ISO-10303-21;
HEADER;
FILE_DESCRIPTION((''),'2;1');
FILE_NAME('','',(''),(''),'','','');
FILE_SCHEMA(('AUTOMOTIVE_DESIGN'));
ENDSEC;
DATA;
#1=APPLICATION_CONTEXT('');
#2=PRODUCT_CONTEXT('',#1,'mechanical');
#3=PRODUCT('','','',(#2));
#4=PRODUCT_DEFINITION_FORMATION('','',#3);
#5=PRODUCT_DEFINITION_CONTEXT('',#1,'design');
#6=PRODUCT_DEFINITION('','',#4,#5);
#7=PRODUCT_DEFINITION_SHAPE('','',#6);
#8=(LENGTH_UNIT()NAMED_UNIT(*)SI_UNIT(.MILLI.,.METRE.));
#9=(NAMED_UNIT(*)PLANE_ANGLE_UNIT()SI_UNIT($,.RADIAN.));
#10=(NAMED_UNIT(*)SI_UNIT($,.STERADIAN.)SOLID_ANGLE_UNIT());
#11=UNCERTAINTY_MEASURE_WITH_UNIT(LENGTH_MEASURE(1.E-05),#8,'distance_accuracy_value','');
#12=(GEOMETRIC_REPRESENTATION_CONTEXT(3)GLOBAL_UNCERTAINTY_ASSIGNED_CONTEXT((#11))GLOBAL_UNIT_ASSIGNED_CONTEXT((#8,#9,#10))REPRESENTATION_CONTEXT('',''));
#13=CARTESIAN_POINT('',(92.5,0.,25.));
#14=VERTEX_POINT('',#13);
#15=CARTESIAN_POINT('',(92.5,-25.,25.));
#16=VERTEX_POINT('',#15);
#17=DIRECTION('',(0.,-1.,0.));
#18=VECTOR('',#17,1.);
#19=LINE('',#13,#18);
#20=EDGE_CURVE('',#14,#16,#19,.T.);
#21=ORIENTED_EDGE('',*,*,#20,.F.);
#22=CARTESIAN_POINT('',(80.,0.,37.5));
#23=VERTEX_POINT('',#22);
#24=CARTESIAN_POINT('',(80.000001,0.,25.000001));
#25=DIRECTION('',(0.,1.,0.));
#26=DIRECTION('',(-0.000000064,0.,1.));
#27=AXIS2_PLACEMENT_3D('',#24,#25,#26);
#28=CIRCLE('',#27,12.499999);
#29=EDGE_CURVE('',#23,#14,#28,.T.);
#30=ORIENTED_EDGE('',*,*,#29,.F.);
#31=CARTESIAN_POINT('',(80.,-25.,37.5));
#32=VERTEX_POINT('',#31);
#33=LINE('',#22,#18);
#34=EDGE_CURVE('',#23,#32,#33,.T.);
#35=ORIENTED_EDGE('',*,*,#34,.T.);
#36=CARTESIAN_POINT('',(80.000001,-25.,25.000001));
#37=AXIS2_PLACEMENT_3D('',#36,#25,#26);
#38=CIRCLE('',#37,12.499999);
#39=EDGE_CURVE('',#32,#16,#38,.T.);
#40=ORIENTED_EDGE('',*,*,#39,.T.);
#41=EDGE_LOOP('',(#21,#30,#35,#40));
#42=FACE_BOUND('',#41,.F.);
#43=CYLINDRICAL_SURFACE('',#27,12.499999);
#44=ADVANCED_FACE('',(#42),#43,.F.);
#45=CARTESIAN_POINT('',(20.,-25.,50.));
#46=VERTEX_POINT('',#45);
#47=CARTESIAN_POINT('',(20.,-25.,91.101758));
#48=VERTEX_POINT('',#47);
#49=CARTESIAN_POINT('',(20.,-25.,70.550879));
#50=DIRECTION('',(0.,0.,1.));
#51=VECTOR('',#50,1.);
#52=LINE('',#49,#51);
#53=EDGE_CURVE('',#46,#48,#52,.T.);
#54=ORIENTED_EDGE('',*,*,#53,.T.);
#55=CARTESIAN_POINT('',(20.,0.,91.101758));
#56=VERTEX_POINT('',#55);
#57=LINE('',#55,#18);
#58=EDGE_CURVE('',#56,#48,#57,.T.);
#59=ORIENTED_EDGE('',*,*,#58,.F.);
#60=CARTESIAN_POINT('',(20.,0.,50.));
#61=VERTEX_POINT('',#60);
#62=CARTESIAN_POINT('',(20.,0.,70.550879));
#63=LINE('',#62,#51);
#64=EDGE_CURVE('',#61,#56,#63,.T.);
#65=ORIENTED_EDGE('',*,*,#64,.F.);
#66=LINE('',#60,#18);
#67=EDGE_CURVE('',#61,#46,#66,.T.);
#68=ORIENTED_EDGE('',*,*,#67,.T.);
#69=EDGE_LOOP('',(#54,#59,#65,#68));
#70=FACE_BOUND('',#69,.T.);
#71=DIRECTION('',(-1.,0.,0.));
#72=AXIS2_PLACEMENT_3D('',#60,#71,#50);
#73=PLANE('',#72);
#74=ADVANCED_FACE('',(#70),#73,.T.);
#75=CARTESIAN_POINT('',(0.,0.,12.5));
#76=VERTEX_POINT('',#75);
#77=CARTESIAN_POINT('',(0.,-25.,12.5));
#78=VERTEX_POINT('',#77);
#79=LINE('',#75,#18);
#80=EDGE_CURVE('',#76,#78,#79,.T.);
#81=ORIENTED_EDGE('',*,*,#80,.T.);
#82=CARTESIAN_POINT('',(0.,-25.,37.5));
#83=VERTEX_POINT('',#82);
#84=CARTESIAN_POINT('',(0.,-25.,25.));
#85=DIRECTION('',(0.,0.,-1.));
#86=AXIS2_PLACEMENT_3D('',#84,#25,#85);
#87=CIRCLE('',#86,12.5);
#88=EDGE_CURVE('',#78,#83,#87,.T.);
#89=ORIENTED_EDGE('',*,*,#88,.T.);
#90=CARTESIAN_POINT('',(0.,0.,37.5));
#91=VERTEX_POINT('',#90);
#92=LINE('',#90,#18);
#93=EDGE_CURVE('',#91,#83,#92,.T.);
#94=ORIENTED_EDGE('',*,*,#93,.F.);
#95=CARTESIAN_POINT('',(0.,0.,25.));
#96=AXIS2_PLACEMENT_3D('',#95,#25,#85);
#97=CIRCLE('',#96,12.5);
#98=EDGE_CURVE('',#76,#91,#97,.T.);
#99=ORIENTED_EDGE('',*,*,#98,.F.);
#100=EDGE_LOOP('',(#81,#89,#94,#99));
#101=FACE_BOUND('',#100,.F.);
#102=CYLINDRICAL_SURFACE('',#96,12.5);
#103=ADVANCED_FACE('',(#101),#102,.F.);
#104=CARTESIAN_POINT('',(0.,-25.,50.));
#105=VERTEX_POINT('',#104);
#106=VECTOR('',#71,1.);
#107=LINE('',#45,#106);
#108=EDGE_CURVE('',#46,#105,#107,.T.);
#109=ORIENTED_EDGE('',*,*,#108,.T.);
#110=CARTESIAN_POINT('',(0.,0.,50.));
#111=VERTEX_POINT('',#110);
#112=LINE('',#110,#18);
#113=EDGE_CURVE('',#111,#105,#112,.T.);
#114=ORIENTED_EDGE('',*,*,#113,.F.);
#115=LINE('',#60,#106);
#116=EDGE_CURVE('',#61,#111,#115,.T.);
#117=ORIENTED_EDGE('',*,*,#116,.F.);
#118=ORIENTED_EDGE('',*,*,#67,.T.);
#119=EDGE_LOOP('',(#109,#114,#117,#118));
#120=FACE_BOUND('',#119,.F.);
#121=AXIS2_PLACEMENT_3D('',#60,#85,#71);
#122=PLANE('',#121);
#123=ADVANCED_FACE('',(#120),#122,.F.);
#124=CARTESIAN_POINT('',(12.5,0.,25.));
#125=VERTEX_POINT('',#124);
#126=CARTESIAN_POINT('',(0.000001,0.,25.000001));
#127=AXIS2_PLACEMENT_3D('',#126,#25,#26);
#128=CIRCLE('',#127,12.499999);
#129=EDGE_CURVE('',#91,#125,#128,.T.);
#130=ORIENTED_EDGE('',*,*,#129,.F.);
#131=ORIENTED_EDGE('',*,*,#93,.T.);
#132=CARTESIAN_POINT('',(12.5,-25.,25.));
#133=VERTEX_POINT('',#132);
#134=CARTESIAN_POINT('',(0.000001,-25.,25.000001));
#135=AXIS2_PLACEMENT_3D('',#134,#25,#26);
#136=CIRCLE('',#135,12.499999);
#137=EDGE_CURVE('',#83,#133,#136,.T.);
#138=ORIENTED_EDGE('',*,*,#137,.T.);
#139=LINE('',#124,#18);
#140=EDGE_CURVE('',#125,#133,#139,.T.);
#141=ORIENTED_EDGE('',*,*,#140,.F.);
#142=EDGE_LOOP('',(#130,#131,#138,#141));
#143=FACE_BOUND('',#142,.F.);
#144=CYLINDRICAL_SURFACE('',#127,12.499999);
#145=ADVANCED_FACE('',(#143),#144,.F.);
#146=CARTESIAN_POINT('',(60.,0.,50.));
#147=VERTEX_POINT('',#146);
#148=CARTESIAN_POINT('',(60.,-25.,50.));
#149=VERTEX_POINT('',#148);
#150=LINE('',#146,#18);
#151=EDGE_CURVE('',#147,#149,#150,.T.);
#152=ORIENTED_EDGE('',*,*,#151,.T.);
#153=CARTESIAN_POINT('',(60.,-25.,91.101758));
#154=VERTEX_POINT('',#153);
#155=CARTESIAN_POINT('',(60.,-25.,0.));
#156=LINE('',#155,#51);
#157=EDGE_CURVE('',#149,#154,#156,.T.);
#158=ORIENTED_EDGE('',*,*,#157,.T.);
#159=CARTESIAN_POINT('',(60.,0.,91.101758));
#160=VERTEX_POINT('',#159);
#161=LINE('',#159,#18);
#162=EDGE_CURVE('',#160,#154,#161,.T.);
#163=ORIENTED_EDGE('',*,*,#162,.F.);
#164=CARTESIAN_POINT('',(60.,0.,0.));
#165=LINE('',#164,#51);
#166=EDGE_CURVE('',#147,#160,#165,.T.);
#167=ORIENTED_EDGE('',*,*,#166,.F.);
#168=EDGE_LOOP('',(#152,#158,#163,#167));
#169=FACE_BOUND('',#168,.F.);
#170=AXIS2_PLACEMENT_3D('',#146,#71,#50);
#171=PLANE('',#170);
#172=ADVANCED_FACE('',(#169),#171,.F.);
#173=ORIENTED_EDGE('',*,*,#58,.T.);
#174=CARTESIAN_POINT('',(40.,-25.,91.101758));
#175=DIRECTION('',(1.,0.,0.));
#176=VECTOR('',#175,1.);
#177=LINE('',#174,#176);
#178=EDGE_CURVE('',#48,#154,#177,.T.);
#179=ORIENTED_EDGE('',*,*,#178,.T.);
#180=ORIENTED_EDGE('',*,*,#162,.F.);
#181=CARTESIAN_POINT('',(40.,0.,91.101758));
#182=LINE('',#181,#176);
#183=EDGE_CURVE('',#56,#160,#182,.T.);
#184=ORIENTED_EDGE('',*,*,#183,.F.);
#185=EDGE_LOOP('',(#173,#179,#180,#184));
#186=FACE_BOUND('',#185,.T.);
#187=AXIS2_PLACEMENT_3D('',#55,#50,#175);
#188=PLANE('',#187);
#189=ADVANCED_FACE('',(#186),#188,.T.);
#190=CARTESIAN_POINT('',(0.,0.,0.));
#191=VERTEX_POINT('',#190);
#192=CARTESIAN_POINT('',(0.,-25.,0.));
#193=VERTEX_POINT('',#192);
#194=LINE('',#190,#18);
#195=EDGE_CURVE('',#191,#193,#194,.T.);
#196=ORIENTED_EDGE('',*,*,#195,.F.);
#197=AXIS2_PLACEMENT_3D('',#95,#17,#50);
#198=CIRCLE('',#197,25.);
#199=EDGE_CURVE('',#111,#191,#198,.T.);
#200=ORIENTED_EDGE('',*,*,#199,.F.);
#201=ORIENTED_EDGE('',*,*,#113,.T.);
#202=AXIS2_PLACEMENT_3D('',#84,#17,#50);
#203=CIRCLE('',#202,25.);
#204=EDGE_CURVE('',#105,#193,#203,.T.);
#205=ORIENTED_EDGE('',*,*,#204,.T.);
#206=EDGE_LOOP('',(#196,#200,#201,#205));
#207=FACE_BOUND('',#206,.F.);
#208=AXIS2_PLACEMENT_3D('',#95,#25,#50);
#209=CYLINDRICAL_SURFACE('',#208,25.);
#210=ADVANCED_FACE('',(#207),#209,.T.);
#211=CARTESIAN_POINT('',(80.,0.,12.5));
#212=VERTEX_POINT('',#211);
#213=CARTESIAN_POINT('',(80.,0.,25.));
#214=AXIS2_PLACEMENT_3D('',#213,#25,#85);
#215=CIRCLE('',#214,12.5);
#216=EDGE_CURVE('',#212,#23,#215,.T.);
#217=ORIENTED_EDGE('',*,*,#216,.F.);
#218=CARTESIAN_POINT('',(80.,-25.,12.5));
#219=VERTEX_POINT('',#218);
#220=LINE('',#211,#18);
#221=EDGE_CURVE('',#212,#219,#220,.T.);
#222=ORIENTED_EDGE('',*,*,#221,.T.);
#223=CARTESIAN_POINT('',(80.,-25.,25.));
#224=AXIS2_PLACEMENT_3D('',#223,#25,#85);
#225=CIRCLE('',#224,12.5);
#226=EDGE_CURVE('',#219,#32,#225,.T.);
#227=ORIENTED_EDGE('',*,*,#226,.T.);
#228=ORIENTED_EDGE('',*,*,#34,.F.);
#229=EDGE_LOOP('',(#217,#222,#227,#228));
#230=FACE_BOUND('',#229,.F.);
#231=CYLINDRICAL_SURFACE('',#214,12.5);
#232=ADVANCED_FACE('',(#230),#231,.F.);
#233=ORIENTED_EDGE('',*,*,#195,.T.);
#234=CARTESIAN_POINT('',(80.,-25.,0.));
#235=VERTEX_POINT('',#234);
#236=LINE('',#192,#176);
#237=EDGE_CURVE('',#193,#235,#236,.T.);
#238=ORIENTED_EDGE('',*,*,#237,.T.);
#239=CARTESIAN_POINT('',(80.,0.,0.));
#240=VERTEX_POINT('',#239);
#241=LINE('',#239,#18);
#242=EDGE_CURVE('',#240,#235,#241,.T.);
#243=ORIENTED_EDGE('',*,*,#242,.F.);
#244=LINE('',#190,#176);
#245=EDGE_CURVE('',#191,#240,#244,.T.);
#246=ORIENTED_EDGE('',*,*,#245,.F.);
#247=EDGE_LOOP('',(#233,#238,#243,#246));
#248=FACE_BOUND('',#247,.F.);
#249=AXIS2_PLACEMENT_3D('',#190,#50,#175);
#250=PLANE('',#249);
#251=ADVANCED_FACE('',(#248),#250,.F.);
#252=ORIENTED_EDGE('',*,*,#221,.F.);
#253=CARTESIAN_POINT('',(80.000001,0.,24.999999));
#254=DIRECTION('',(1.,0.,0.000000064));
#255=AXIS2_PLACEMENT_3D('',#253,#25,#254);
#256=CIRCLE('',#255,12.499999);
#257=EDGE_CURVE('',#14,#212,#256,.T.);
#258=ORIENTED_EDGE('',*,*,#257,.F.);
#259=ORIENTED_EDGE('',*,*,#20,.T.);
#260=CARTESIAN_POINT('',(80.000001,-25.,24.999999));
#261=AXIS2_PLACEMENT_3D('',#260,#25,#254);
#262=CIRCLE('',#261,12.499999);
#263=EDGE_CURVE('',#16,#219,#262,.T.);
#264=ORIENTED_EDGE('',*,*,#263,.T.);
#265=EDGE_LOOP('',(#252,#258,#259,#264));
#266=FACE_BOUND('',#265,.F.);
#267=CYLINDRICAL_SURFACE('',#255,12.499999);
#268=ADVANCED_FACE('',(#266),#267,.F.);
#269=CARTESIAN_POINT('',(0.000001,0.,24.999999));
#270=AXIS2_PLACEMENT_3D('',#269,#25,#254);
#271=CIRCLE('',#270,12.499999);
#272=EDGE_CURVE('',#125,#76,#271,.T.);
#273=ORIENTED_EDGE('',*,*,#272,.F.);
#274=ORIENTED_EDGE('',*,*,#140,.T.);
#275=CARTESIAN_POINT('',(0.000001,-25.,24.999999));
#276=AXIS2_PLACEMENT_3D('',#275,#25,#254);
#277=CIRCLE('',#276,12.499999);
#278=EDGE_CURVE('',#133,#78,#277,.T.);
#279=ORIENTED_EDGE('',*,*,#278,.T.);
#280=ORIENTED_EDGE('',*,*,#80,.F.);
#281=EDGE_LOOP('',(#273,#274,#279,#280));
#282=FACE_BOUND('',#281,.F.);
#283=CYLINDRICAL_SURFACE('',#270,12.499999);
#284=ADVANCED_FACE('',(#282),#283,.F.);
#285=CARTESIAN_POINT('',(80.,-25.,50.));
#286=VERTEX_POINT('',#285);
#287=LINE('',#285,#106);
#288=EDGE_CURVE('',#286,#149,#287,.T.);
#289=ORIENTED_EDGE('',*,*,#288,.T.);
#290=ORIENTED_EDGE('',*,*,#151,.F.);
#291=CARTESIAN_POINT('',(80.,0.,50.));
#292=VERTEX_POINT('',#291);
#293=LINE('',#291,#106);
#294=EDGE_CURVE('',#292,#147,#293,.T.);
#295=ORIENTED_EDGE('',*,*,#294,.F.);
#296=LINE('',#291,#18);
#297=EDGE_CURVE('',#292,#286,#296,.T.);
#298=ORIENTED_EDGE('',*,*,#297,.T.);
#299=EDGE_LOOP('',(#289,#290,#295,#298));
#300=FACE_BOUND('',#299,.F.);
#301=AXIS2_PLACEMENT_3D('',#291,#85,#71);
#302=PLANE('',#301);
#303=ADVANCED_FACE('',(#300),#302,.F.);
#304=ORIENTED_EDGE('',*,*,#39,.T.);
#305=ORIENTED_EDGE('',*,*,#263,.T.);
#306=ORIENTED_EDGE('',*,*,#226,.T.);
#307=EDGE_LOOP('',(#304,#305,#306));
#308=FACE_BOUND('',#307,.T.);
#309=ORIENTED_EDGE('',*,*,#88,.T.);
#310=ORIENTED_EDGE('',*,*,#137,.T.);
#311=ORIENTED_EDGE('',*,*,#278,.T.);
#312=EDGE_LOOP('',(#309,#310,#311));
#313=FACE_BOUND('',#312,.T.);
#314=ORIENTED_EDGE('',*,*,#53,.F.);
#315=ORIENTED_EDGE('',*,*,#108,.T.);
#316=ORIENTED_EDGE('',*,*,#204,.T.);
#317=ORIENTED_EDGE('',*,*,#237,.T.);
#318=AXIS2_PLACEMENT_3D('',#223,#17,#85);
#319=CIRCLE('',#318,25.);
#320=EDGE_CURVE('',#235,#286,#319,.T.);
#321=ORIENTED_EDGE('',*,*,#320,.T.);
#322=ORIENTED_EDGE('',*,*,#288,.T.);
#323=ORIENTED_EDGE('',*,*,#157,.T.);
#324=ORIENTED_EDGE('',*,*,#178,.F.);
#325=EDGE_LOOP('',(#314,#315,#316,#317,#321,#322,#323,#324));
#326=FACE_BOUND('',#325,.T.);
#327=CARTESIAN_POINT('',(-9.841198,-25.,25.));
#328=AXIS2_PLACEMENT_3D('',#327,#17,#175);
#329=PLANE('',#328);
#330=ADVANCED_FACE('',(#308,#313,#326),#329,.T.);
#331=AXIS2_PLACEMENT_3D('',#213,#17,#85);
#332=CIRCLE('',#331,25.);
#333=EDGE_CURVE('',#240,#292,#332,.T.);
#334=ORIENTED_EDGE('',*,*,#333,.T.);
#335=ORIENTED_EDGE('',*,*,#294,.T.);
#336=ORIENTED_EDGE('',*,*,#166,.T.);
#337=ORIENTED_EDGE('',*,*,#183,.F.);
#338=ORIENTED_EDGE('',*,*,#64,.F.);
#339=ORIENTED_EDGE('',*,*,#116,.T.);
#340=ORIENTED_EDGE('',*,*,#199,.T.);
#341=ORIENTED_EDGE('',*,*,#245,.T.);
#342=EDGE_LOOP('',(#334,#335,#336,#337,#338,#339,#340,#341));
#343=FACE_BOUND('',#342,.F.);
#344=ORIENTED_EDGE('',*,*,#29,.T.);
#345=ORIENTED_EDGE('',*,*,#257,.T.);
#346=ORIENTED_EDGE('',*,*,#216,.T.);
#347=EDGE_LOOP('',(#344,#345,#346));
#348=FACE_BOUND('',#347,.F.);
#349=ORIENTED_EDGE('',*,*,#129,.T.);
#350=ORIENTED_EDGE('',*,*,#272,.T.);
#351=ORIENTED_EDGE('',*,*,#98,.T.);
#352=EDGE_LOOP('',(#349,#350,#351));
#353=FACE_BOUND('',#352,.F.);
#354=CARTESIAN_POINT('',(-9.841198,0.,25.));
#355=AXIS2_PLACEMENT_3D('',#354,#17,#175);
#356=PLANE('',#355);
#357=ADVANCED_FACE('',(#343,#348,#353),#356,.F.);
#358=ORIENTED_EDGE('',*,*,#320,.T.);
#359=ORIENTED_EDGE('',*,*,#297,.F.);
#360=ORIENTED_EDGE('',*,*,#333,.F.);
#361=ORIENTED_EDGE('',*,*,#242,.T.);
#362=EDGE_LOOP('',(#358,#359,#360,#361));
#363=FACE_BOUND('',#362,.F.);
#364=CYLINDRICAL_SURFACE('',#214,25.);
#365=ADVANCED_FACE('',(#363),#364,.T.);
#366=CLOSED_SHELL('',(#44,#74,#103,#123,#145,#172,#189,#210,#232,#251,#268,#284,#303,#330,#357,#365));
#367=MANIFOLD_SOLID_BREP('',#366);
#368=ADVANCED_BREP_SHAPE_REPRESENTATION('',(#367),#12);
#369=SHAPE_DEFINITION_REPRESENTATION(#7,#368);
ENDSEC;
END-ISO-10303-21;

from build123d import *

# Parameters (mm, degrees)
F0_W     = 40
F0_H     = 41.101758
F0_H_2   = 50
F1_DEPTH = 25


with BuildPart() as f1:
    # F0 (on Front) → F1 (new body)
    with BuildSketch(Plane.XZ):
        with BuildLine():
            Line((0, 37.5), (0, 50))
            ThreePointArc((0, 50), (-25, 25), (0, 0))
            Line((0, 0), (0, 12.5))
            ThreePointArc((0, 12.5), (-12.5, 25), (0, 37.5))
        make_face()
        with BuildLine():
            Line((20, 50), (0, 50))
            Line((0, 50), (0, 37.5))
            ThreePointArc((0, 37.5), (8.838835, 33.838835), (12.5, 25))
            ThreePointArc((12.5, 25), (8.838835, 16.161165), (0, 12.5))
            Line((0, 12.5), (0, 0))
            Line((0, 0), (20, 0))
            Line((20, 0), (20, 50))
        make_face()
        with Locations((40, 70.550879)):
            Rectangle(F0_W, F0_H)
        with Locations((40, 25)):
            Rectangle(F0_W, F0_H_2)
        with BuildLine():
            Line((80, 50), (60, 50))
            Line((60, 50), (60, 0))
            Line((60, 0), (80, 0))
            Line((80, 0), (80, 12.5))
            ThreePointArc((80, 12.5), (67.5, 25), (80, 37.5))
            Line((80, 37.5), (80, 50))
        make_face()
        with BuildLine():
            ThreePointArc((80, 0), (105, 25), (80, 50))
            Line((80, 50), (80, 37.5))
            ThreePointArc((80, 37.5), (88.838835, 33.838835), (92.5, 25))
            ThreePointArc((92.5, 25), (88.838835, 16.161165), (80, 12.5))
            Line((80, 12.5), (80, 0))
        make_face()
    extrude(amount=F1_DEPTH)


solid = f1.part
